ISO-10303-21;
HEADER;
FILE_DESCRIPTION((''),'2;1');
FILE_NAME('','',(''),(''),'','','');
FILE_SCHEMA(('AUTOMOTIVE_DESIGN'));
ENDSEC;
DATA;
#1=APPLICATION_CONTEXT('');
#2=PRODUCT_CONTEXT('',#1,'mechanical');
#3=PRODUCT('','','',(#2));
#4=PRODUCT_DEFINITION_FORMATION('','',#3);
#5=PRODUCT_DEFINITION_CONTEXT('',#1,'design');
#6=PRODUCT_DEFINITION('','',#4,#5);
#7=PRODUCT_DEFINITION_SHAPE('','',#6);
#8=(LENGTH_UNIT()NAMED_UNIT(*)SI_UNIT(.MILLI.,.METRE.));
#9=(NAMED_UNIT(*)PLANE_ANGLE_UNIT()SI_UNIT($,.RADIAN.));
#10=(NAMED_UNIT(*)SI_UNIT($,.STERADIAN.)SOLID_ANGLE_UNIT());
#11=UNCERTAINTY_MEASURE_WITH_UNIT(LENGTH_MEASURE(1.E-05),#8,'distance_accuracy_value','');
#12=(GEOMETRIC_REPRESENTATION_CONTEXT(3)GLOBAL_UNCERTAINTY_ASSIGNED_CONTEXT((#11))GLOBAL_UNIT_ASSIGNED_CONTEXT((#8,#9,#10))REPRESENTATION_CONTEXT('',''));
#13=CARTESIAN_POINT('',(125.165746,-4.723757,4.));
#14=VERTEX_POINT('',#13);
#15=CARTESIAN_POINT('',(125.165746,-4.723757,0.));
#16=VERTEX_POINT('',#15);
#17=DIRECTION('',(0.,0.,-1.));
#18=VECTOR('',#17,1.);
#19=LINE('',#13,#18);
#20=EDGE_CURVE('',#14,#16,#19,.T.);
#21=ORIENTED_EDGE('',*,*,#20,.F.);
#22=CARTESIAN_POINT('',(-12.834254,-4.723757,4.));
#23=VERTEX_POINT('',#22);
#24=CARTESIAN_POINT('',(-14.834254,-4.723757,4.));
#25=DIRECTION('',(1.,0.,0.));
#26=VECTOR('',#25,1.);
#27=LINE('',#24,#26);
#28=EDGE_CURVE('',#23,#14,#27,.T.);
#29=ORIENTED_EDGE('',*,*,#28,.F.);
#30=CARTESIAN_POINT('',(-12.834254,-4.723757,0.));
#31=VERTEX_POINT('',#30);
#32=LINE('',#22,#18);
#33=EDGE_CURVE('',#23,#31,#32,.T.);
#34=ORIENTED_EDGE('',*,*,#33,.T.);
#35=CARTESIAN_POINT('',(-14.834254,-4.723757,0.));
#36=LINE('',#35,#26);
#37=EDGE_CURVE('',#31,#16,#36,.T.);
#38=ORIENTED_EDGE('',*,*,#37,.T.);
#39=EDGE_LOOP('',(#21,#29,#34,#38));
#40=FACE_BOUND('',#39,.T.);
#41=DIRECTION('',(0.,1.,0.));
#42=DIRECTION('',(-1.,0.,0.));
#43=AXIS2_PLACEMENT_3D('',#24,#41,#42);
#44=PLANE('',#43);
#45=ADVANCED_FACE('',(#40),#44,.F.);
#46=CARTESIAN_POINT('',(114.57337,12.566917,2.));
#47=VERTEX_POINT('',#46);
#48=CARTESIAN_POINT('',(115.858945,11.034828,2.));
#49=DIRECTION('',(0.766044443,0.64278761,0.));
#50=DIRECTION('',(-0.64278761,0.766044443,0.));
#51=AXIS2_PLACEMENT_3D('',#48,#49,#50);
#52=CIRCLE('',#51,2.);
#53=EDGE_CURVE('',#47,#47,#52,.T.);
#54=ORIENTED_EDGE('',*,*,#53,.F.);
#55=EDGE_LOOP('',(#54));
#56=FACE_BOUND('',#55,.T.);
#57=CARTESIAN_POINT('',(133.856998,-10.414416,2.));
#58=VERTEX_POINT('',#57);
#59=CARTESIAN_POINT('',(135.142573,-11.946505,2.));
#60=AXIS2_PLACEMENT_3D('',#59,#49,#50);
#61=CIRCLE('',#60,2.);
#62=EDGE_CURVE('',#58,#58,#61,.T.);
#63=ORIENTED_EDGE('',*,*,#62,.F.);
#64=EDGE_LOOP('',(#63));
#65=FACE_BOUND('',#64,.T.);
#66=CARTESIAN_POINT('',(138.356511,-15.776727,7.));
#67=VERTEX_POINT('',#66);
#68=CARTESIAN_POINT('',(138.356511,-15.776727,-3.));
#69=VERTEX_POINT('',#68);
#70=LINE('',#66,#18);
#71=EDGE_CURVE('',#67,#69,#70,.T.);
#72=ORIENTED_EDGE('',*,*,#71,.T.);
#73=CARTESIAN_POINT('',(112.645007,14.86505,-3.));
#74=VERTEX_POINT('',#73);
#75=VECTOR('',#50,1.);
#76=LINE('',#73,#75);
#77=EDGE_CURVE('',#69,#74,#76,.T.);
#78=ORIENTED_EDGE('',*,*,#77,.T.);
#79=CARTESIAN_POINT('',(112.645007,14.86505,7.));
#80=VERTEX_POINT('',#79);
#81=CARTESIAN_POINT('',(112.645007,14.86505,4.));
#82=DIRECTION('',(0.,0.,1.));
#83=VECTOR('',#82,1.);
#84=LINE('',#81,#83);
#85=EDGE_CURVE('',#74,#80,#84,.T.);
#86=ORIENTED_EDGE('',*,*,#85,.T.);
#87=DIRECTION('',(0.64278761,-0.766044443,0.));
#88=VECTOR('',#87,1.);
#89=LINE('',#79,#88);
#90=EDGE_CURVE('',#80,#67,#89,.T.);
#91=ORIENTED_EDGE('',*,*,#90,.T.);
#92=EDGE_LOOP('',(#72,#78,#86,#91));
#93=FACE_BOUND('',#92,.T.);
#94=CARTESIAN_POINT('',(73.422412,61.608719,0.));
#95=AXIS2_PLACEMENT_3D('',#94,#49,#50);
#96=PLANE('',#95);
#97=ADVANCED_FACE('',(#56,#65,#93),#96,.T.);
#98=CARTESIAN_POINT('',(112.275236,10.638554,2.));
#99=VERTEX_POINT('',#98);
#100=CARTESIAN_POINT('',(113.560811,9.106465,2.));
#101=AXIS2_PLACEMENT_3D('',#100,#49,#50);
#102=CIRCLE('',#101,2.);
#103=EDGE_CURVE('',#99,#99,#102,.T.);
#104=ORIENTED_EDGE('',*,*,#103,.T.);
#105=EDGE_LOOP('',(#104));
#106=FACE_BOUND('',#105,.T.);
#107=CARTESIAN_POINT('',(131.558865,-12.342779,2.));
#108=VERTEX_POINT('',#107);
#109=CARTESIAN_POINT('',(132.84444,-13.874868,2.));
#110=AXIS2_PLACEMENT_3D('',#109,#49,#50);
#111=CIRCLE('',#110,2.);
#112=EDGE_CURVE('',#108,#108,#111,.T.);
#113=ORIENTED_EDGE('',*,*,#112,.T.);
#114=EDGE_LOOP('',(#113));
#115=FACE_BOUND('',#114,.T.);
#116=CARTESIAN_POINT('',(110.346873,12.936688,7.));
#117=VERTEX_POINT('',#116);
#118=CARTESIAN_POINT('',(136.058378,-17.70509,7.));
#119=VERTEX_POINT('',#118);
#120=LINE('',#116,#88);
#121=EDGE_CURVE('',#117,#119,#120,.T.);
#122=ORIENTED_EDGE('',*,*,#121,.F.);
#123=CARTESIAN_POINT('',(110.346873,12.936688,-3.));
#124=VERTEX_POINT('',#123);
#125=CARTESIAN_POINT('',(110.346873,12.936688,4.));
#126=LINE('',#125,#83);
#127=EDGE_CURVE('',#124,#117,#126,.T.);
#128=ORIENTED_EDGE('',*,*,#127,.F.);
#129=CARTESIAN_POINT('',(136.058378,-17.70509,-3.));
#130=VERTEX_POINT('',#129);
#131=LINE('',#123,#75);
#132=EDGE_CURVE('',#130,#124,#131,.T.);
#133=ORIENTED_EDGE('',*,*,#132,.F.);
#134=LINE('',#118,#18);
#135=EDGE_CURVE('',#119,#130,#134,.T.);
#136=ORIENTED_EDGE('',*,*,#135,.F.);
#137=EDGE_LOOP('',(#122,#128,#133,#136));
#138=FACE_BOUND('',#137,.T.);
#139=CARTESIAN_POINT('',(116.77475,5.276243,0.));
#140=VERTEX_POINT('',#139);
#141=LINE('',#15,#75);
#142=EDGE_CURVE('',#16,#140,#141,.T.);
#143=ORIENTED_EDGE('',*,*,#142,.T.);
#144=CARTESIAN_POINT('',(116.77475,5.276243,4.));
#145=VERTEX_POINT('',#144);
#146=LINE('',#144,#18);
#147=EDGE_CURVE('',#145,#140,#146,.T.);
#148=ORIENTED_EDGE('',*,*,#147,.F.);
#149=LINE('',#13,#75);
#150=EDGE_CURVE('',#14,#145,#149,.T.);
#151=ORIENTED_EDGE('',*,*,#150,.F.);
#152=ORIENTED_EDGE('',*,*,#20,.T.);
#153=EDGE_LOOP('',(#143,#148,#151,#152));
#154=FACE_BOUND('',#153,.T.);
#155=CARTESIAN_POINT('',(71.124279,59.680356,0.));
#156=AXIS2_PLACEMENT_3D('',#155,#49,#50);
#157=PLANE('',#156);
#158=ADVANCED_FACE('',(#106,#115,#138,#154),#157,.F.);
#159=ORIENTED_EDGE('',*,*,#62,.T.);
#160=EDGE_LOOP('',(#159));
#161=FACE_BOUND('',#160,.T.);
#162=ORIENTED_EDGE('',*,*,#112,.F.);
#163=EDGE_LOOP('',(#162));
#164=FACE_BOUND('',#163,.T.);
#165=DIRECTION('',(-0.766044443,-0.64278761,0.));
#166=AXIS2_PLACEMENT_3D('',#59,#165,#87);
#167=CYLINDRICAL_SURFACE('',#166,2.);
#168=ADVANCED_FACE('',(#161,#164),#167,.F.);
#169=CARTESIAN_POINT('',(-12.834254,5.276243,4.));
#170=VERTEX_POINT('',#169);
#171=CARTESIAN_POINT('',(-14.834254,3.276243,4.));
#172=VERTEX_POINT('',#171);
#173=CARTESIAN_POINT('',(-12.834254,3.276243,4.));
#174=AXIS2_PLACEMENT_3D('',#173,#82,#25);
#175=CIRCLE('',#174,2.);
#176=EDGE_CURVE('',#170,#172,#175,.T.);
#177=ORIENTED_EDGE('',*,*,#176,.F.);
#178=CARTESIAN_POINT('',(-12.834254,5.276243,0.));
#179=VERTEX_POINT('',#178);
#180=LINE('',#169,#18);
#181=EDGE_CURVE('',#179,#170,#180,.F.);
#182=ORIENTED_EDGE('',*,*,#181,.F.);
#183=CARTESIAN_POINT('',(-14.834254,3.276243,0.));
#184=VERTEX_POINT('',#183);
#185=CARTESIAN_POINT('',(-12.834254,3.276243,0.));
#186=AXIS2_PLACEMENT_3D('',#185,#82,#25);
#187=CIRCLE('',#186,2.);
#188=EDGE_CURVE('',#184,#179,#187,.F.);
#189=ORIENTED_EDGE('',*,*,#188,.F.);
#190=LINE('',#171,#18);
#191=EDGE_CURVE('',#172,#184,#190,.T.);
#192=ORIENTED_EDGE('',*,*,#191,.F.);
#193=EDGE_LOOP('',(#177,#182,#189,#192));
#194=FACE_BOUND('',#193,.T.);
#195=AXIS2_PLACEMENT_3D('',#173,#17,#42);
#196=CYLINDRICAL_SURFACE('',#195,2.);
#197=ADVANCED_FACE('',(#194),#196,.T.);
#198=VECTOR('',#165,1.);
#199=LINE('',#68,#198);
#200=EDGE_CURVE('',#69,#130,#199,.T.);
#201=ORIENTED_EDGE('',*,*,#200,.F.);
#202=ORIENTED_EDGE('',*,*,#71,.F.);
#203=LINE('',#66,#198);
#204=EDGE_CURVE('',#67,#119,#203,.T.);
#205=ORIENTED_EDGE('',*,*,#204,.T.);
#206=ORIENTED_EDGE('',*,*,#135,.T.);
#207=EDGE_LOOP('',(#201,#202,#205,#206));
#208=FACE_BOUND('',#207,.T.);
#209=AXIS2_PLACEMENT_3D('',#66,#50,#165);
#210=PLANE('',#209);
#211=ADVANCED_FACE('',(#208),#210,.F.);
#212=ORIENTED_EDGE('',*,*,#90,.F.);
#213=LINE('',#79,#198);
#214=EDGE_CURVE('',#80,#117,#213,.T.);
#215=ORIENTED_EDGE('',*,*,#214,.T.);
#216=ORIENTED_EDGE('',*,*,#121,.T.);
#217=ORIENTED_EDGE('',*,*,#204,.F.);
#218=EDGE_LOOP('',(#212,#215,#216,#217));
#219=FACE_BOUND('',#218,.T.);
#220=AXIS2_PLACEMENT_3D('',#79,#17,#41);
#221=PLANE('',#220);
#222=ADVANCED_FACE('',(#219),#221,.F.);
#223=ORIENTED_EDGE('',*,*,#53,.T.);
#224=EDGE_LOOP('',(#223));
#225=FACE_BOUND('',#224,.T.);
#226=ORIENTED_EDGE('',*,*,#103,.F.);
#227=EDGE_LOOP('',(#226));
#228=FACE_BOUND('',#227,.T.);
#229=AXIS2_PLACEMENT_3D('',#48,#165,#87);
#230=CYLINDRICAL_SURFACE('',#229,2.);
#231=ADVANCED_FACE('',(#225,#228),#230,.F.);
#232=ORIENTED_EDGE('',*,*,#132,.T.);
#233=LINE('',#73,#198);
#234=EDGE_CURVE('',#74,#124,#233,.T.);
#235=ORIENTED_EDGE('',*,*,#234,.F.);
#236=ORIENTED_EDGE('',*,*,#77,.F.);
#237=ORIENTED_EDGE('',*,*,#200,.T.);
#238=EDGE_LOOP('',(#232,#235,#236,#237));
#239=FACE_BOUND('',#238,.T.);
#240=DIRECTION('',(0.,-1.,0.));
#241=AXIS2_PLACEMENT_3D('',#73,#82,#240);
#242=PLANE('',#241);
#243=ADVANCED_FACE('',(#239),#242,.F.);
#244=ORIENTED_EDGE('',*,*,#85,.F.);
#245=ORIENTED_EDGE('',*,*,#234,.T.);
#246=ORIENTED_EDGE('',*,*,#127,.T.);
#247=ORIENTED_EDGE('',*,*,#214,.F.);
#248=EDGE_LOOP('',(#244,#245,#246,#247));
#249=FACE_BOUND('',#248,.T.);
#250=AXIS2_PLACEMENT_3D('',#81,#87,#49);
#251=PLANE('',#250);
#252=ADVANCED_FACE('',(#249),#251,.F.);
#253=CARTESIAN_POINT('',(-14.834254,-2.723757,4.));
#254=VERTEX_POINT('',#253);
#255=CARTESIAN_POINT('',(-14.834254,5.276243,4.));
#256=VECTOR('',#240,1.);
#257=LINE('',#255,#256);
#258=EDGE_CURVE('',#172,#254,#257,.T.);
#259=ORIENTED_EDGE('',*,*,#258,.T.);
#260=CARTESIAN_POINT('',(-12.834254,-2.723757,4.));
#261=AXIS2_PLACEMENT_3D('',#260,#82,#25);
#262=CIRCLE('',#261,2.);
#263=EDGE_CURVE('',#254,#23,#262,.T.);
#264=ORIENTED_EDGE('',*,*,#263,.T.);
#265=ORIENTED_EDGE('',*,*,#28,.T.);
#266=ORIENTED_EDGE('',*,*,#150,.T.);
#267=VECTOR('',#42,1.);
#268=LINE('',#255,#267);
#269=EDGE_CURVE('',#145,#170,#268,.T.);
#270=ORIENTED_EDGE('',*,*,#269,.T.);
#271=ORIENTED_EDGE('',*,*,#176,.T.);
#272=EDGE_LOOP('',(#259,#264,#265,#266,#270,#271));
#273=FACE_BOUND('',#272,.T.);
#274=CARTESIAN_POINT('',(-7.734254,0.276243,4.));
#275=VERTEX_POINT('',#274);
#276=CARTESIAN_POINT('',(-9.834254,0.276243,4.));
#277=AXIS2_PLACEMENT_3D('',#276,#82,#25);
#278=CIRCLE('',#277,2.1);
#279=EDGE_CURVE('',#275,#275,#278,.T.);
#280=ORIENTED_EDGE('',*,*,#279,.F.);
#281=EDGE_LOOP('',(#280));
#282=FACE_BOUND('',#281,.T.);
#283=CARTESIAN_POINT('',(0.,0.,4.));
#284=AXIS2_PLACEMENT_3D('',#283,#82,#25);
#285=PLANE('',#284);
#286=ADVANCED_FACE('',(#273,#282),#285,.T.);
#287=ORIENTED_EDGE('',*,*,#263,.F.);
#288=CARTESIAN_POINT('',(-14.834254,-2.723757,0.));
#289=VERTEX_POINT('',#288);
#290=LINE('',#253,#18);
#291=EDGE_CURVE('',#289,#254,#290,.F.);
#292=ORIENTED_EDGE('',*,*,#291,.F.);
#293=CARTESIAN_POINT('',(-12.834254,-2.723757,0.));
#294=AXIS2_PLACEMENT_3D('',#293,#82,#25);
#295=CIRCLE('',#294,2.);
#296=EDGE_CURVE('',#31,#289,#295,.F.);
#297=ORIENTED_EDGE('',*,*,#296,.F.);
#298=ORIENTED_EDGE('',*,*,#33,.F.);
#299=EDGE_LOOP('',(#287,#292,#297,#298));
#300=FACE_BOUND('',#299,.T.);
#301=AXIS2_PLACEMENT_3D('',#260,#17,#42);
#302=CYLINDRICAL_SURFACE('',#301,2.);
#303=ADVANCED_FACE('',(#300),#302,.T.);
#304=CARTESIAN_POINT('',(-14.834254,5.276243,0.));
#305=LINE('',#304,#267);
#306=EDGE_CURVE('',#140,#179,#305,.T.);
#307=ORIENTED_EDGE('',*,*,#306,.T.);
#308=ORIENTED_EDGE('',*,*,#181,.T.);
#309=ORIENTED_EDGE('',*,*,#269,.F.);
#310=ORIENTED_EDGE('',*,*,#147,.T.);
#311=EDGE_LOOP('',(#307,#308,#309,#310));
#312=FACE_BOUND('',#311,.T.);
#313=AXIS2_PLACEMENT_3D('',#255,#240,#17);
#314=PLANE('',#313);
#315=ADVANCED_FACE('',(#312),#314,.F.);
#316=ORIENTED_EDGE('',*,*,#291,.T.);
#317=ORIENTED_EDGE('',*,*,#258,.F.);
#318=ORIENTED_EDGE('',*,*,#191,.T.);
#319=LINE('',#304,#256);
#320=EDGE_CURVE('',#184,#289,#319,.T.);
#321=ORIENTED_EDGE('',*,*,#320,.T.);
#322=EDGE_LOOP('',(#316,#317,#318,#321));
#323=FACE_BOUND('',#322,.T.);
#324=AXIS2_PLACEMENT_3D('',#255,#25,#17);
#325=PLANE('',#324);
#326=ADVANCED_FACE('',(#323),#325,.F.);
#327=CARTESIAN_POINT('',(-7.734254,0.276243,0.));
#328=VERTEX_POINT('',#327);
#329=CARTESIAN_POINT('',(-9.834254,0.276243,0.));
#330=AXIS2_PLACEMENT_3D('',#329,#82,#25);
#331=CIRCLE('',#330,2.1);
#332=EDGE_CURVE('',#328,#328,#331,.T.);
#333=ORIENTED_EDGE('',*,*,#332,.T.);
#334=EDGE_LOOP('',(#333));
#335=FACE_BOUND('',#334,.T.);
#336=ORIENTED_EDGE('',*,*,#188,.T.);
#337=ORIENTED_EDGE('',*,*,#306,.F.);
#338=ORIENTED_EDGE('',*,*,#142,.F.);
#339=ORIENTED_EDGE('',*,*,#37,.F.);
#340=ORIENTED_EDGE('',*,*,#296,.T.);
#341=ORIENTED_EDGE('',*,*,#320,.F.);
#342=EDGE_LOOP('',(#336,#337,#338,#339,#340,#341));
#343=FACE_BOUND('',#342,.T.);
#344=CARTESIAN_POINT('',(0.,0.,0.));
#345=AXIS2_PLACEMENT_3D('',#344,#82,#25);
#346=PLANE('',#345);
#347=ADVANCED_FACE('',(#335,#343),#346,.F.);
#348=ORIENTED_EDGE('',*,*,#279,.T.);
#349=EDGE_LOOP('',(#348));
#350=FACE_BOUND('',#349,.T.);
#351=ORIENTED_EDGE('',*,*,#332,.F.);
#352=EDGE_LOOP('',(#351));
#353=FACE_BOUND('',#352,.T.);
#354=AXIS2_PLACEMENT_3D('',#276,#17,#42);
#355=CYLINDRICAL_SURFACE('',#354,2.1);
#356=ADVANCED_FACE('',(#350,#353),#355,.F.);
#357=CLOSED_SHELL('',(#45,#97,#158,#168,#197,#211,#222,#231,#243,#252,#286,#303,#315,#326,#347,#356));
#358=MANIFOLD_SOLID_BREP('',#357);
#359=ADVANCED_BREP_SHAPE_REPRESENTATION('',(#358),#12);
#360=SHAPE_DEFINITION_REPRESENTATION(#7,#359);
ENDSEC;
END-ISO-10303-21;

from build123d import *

# Parameters (mm, degrees)
SKETCH_1_R      = 2.1
EXTRUDE_1_DEPTH = 4
FILLET_1_R      = 2
SKETCH_2_R      = 2
EXTRUDE_2_DEPTH = 3


with BuildPart() as part:
    # 草图1 → 凸台-拉伸1 (new body)
    with BuildSketch(Plane.XY):
        Polygon((125.165745856, -4.723756906), (116.774749545, 5.276243094), (-14.834254144, 5.276243094), (-14.834254144, -4.723756906), align=None)
        with Locations((-9.834254144, 0.276243094)):
            Circle(SKETCH_1_R, mode=Mode.SUBTRACT)
    extrude(amount=EXTRUDE_1_DEPTH)

    # 圆角1
    fillet_1_edges = [part.edges().sort_by_distance(p)[0] for p in [
        (-14.834254144, 5.276243094, 2),
        (-14.834254144, -4.723756906, 2),
    ]]
    fillet(fillet_1_edges, radius=FILLET_1_R)

    # 草图2 → 凸台-拉伸2 (add)
    with BuildSketch(Plane(origin=(71.124278553, 59.680355902, 0), x_dir=(0, 0, -1), z_dir=(0.7660444431189745, 0.6427876096865437, 0))):
        Polygon((-4, -61.019525429), (3, -61.019525429), (3, -101.019525429), (-7, -101.019525429), (-7, -61.019525429), align=None)
        with Locations(Location((-2, -66.019525429, 0), (0, 0, 90))):
            Circle(SKETCH_2_R, mode=Mode.SUBTRACT)
        with Locations(Location((-2, -96.019525429, 0), (0, 0, 90))):
            Circle(SKETCH_2_R, mode=Mode.SUBTRACT)
    extrude(amount=EXTRUDE_2_DEPTH)


solid = part.part
